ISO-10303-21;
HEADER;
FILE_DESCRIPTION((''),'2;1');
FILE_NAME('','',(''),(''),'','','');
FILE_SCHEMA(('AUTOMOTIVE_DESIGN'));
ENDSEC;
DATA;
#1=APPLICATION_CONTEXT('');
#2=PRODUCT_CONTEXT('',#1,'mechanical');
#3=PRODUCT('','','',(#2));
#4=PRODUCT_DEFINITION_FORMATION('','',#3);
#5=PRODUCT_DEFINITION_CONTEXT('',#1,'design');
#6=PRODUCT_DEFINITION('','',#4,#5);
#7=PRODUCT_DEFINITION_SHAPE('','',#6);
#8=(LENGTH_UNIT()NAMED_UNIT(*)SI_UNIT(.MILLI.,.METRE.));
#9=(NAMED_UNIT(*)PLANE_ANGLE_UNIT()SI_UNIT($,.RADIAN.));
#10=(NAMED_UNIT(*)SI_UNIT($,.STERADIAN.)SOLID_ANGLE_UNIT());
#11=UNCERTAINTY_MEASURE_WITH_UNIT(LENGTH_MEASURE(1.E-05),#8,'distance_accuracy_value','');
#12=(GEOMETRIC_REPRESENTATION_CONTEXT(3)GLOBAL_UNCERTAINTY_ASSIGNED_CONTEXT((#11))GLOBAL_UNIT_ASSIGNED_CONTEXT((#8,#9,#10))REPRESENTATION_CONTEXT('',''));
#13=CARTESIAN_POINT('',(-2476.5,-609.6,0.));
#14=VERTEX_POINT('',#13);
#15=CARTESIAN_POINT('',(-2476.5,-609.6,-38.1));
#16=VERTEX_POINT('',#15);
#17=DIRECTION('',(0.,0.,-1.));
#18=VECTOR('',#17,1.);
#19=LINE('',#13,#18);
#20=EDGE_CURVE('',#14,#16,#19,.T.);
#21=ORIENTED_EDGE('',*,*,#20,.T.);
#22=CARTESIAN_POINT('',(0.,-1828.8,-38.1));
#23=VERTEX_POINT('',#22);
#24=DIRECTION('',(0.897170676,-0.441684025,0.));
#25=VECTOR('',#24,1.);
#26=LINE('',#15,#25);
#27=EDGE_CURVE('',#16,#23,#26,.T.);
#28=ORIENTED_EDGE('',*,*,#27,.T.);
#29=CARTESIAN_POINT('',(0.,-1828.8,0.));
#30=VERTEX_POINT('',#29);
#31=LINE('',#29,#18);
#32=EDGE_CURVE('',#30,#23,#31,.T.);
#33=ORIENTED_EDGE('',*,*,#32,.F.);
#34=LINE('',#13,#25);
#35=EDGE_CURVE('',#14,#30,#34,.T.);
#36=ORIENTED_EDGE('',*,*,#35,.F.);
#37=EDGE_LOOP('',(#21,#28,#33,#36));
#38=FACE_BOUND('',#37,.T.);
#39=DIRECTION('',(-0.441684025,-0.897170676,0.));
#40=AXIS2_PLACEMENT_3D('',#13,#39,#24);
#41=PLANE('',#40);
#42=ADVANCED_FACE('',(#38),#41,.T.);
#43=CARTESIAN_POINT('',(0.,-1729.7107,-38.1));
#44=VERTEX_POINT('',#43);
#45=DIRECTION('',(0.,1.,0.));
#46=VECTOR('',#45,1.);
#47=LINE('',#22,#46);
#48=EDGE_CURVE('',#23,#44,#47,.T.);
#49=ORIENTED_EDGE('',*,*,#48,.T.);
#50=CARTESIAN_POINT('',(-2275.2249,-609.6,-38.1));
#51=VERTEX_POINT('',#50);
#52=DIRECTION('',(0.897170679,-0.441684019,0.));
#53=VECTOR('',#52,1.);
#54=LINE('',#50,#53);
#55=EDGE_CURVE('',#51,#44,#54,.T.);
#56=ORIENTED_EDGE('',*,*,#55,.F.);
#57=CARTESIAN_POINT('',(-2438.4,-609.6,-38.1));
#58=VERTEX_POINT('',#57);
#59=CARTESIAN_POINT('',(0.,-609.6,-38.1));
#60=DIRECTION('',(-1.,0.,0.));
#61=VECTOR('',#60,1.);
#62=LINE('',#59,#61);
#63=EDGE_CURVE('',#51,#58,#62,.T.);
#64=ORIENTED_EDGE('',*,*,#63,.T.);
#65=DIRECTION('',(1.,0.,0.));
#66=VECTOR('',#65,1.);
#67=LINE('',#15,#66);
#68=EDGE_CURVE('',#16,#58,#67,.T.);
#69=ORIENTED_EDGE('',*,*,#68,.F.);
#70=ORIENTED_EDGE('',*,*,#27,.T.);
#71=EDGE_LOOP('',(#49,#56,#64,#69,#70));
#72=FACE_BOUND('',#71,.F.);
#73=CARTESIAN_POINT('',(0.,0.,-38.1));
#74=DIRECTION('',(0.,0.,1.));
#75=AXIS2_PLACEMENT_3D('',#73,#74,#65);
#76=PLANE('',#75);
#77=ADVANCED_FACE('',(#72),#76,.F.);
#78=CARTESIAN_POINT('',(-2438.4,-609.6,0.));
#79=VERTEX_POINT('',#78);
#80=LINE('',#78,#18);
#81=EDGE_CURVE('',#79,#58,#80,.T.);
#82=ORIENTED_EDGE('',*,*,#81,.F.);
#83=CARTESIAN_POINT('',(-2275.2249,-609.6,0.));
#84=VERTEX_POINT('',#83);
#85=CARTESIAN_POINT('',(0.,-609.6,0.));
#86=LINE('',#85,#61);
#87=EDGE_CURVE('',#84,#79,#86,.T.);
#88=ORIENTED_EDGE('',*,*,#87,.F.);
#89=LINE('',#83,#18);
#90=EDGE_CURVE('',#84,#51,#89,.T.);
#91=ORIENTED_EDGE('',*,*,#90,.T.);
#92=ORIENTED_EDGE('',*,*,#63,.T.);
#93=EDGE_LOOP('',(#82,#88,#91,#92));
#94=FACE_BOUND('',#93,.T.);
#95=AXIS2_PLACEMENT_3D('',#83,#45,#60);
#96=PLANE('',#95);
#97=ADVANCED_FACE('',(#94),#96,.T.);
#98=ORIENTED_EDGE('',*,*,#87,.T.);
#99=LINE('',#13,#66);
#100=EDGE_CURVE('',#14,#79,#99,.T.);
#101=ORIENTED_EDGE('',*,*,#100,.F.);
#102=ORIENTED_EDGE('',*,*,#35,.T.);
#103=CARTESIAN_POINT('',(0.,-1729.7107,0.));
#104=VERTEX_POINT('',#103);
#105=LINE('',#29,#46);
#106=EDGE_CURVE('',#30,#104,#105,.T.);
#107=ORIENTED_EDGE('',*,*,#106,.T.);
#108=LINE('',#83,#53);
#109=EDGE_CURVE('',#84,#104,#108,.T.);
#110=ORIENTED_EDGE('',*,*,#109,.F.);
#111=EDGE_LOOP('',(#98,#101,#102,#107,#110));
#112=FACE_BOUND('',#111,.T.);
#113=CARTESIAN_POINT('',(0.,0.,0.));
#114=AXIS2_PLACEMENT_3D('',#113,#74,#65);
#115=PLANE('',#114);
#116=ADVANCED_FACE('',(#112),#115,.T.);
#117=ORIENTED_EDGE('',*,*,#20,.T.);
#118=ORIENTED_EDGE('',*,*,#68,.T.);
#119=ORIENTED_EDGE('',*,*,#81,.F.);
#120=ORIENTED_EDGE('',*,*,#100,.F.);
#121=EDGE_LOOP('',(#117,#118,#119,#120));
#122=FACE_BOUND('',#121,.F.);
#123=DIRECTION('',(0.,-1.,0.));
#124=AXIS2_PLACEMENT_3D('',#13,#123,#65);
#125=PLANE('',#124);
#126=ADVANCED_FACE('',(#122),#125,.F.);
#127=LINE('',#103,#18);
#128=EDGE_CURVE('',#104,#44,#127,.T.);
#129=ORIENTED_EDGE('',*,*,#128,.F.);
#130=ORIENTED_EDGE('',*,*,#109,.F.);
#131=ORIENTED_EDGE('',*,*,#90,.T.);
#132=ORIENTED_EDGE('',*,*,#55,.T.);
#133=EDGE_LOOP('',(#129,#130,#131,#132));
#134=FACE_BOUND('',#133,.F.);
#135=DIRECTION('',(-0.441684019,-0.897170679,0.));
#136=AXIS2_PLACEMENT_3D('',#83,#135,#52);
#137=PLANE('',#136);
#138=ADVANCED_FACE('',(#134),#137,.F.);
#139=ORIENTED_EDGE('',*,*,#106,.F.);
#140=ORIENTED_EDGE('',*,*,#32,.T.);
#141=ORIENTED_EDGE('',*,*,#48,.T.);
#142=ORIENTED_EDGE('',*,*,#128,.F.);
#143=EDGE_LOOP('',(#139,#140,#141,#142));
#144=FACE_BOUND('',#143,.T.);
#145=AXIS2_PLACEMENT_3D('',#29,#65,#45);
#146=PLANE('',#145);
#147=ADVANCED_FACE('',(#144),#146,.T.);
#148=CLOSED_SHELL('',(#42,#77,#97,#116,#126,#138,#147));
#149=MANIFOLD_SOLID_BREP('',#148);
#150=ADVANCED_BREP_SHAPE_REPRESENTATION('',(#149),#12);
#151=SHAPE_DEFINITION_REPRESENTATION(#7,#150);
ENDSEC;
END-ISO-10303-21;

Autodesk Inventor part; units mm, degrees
ref_plane "YZ Plane" through (0, 0, 0) normal (1, 0, 0) x (0, 1, 0)
ref_plane "XZ Plane" through (0, 0, 0) normal (0, 1, 0) x (-1, 0, 0)
ref_plane "XY Plane" through (0, 0, 0) normal (0, 0, 1) x (1, 0, 0)
sketch "Sketch1" plane through (0, 0, 0) normal (0, 0, 1) x (1, 0, 0)
  line L0 (0, -609.6) -> (-2438.4, -609.6) projected
  line L1 (0, -1828.8) -> (0, 1828.8) projected
  line L2 (-2476.5, -609.6) -> (-2438.4, -609.6) projected
  line L3 (-2476.5, -609.6) -> (0, -1828.8)
  line L4 (-2476.5, -609.6) -> (-2275.2249, -609.6)
  line L5 (-2275.2249, -609.6) -> (0, -1729.7107)
  line L6 (0, -1729.7107) -> (0, -1828.8)
  point P0 (0, 0)
  dimension "d0" = 88.9
extrude "Extrusion1" add sketch "Sketch1" against normal blind 38.1 contours L5 L1 L3 L2 L0
properties part number "s48x2x4a"
